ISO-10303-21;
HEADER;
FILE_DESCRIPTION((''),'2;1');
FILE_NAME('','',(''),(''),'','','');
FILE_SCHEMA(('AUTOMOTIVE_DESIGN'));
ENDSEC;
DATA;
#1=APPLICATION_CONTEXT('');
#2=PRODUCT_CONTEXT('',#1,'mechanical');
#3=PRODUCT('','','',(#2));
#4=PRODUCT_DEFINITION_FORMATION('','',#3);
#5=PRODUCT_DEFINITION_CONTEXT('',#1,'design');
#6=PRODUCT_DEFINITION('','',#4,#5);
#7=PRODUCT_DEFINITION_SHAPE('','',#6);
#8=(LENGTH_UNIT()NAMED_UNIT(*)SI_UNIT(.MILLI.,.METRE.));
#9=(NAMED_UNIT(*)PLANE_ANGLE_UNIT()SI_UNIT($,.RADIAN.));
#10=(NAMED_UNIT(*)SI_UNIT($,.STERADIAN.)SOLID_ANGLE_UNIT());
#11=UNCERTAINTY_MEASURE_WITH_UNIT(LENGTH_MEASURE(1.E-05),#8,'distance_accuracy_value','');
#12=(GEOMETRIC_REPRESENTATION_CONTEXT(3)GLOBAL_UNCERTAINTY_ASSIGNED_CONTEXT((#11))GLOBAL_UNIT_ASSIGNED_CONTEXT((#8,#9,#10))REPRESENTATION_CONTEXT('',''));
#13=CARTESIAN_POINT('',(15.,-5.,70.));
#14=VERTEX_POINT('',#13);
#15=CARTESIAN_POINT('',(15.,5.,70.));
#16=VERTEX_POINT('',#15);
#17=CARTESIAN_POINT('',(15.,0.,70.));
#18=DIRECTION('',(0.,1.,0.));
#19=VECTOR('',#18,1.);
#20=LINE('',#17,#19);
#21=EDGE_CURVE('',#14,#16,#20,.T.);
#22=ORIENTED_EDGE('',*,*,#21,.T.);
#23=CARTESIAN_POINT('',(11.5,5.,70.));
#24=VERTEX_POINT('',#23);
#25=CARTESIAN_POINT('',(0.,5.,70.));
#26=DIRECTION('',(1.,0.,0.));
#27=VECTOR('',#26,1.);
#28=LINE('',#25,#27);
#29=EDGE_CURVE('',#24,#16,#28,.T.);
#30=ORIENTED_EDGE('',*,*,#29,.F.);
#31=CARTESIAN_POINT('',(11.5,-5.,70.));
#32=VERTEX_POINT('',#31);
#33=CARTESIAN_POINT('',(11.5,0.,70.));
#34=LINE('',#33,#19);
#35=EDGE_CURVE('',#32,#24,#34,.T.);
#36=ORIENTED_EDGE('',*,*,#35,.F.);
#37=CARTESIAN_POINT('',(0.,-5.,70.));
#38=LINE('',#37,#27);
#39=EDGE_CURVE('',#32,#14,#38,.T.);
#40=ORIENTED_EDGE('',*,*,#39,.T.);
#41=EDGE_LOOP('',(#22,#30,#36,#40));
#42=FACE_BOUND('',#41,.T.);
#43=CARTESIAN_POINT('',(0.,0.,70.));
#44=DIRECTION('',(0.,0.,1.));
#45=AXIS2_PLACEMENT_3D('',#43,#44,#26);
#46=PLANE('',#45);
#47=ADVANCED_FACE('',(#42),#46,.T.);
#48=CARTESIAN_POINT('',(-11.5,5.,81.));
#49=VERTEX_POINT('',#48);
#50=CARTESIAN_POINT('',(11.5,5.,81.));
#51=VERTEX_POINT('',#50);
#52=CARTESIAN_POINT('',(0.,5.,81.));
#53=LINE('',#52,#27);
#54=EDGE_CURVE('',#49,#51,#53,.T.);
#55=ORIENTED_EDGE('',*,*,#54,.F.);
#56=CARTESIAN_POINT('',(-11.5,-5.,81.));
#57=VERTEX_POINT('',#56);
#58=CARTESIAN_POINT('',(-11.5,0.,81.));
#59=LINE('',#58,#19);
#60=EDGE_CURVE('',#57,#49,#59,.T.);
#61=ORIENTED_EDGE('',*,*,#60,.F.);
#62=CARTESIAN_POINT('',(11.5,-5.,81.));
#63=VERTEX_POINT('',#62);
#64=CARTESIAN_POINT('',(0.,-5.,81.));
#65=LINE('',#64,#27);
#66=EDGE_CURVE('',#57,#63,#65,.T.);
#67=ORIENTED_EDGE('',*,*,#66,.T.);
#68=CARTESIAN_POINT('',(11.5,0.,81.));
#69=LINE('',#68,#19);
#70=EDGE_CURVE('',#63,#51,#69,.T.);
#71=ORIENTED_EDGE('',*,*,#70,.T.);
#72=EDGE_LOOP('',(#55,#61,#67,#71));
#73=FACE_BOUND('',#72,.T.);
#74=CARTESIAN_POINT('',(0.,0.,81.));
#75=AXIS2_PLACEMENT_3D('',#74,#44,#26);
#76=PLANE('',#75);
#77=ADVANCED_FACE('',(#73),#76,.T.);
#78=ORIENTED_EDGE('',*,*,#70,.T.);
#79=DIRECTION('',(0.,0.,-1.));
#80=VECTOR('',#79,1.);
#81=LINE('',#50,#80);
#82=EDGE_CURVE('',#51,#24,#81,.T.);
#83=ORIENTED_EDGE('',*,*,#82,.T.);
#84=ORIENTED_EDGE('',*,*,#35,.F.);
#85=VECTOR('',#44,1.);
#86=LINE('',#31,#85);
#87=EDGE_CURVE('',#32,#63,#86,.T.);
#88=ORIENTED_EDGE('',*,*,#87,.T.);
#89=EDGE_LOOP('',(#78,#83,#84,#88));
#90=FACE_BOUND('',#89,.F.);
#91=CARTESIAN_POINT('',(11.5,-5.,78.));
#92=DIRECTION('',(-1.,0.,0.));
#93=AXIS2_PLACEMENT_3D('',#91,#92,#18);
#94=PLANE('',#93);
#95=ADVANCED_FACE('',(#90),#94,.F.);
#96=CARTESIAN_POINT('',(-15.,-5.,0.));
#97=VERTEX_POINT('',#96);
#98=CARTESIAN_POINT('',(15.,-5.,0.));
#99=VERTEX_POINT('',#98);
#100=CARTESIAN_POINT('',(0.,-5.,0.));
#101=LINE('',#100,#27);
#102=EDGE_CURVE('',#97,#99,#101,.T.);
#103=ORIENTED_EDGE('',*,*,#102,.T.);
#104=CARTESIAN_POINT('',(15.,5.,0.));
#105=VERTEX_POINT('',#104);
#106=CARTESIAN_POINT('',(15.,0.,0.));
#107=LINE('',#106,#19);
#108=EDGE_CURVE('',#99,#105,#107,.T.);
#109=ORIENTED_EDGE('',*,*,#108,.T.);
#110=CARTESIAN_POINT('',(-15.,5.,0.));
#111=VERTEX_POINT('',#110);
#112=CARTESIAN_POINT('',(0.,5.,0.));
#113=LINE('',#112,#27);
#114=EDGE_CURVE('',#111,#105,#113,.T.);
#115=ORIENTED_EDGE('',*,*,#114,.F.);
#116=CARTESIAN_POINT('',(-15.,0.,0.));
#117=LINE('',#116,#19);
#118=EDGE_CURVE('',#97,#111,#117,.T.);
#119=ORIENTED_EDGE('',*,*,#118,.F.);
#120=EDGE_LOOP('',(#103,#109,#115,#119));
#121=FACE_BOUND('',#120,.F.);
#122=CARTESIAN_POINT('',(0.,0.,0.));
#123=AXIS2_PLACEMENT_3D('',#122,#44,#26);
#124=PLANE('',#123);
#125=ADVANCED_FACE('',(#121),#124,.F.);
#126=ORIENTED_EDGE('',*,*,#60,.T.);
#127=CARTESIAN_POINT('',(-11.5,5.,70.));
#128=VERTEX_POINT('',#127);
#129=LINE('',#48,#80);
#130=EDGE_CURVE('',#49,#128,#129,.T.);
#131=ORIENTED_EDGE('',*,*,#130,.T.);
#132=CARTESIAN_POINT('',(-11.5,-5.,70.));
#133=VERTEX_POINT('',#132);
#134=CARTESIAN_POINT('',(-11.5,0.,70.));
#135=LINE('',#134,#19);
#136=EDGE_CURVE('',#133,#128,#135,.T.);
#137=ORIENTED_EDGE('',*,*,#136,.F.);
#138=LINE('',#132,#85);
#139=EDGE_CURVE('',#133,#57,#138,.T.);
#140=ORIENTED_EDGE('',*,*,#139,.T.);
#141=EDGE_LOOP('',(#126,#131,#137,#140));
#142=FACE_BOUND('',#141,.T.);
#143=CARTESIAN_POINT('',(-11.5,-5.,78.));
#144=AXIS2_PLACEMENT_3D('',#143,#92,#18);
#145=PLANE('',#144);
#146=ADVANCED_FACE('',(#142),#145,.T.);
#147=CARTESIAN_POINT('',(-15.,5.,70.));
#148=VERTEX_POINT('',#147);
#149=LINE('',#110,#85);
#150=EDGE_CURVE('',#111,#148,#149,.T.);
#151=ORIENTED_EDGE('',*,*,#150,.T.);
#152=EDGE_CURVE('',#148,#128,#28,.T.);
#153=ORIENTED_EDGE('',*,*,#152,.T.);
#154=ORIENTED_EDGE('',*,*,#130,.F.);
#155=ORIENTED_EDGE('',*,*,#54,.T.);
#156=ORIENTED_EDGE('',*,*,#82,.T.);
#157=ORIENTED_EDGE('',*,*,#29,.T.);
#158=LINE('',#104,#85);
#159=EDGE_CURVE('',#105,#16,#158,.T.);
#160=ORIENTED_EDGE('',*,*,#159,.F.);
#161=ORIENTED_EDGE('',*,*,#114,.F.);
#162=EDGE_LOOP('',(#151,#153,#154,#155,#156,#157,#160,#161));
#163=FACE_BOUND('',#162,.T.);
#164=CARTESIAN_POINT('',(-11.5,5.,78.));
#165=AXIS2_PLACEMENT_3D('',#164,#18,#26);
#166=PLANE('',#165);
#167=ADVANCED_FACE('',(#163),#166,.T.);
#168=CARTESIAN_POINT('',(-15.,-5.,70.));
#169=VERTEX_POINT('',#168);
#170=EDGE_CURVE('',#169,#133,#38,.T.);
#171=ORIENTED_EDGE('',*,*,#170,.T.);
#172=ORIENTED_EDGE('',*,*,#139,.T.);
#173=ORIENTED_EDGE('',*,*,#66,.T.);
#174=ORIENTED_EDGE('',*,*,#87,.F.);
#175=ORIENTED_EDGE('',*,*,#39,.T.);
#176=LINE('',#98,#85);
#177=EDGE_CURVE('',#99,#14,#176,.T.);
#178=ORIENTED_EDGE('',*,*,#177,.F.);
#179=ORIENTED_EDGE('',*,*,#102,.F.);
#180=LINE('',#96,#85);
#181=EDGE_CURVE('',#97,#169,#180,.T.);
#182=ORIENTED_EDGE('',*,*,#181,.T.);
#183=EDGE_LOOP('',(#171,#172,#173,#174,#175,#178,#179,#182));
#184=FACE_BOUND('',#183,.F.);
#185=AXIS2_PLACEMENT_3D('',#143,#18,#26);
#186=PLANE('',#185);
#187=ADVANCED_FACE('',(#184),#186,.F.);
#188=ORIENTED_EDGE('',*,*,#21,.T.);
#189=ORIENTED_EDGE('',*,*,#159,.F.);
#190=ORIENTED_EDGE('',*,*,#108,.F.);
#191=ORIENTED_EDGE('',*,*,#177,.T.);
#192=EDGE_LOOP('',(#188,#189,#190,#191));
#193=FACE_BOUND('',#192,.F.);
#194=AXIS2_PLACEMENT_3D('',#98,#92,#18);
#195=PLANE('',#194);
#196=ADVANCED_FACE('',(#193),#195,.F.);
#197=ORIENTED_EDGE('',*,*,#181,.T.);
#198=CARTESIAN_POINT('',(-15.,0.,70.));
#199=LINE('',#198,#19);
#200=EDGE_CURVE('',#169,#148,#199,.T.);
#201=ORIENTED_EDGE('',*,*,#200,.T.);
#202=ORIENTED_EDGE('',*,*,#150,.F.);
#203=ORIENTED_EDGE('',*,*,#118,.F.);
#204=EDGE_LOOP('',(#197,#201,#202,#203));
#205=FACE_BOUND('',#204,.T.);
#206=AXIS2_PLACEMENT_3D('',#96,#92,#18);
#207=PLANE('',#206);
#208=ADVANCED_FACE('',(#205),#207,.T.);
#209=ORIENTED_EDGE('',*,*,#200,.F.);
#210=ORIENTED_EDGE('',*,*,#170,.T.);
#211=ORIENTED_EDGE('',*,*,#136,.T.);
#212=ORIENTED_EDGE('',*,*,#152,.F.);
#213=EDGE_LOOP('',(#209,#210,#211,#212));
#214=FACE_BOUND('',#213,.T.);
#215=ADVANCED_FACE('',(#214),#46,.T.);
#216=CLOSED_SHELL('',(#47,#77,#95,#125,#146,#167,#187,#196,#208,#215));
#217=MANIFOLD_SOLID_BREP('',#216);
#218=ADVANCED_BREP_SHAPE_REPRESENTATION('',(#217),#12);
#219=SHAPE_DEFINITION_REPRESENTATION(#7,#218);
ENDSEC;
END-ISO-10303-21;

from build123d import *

# Parameters (mm, degrees)
F0_W     = 30
F0_H     = 10
F1_DEPTH = 70
F2_W     = 23
F2_H     = 10
F3_DEPTH = 8
F4_W     = 23
F4_H     = 10
F5_DEPTH = 3


with BuildPart() as f1:
    # F0 (on Top) → F1 (new body)
    with BuildSketch(Plane.XY):
        Rectangle(F0_W, F0_H)
    extrude(amount=F1_DEPTH)

    # F2 (on face) → F3 (join)
    with BuildSketch(Plane.XY.offset(70)):
        Rectangle(F2_W, F2_H)
    extrude(amount=F3_DEPTH)

    # F4 (on face) → F5 (join)
    with BuildSketch(Plane.XY.offset(78)):
        Rectangle(F4_W, F4_H)
    extrude(amount=F5_DEPTH)


solid = f1.part
